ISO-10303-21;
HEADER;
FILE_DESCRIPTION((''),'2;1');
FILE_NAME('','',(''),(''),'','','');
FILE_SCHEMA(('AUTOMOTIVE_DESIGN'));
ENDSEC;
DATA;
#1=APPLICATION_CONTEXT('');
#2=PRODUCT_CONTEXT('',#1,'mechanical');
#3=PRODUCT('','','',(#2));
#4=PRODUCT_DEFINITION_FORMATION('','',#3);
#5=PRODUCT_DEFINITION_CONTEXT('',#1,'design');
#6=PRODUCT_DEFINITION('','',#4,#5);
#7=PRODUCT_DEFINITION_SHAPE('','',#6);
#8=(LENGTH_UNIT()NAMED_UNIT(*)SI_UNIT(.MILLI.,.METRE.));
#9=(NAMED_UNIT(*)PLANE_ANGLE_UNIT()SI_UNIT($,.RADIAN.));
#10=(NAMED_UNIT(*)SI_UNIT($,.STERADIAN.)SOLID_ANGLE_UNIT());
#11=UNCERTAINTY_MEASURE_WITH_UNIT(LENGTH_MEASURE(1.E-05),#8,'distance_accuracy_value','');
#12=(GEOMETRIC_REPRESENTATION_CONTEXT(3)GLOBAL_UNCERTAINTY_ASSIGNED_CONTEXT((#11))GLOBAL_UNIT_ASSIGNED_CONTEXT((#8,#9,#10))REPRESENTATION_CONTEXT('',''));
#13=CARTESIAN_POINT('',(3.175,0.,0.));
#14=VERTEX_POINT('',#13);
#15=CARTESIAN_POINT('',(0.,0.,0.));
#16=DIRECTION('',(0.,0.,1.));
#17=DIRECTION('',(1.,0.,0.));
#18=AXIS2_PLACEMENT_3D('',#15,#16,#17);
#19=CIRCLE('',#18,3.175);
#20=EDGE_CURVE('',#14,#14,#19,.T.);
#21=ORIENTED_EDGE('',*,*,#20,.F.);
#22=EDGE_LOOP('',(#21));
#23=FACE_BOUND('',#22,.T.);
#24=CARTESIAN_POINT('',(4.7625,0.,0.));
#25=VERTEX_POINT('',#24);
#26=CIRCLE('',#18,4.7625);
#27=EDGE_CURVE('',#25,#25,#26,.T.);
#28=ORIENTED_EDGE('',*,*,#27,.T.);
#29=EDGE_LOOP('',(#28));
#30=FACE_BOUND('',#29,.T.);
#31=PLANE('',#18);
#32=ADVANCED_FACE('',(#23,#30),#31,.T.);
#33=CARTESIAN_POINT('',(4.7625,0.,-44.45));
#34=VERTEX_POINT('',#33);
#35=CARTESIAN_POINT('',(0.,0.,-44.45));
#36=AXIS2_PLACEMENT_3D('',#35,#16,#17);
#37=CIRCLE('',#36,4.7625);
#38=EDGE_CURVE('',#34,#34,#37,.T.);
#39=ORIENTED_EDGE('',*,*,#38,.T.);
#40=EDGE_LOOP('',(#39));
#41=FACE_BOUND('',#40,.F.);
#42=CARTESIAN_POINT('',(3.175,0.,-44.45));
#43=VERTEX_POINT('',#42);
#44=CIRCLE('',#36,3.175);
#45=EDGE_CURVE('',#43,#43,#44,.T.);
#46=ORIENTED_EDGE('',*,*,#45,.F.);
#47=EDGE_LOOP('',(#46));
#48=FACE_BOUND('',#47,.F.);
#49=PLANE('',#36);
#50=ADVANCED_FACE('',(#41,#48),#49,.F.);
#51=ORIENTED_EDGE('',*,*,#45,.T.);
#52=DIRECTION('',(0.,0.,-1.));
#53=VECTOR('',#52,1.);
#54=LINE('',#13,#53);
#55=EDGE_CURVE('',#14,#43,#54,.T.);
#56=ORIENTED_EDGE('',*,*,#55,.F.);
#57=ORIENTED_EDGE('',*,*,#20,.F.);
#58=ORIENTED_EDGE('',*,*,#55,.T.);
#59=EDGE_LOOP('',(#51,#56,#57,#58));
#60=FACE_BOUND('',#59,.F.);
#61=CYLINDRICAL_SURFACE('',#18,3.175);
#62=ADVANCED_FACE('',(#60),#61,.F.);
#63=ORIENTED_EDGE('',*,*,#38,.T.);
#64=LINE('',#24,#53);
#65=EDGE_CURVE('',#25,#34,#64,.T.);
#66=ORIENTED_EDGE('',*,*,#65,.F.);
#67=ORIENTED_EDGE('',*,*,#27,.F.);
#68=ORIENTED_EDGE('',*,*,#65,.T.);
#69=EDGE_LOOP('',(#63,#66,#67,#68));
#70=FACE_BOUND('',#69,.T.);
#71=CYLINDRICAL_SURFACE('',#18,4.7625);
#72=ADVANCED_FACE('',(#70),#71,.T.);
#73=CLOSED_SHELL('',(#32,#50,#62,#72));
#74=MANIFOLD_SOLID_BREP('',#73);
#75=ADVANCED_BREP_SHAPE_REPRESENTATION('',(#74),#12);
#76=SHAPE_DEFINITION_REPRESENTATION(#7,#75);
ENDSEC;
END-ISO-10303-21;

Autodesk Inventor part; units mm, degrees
ref_plane "YZ Plane" through (0, 0, 0) normal (1, 0, 0) x (0, 1, 0)
ref_plane "XZ Plane" through (0, 0, 0) normal (0, 1, 0) x (-1, 0, 0)
ref_plane "XY Plane" through (0, 0, 0) normal (0, 0, 1) x (1, 0, 0)
sketch "Sketch1" plane through (0, 0, 0) normal (0, 0, 1) x (1, 0, 0)
  circle A0 centre (0, 0) radius 3.175
  circle A1 centre (0, 0) radius 4.7625
  dimension "d0" = 6.35
  dimension "d1" = 1.5875
extrude "Extrusion1" add sketch "Sketch1" against normal blind 44.45
properties part number "AD-hoc 1.75 spacer"
